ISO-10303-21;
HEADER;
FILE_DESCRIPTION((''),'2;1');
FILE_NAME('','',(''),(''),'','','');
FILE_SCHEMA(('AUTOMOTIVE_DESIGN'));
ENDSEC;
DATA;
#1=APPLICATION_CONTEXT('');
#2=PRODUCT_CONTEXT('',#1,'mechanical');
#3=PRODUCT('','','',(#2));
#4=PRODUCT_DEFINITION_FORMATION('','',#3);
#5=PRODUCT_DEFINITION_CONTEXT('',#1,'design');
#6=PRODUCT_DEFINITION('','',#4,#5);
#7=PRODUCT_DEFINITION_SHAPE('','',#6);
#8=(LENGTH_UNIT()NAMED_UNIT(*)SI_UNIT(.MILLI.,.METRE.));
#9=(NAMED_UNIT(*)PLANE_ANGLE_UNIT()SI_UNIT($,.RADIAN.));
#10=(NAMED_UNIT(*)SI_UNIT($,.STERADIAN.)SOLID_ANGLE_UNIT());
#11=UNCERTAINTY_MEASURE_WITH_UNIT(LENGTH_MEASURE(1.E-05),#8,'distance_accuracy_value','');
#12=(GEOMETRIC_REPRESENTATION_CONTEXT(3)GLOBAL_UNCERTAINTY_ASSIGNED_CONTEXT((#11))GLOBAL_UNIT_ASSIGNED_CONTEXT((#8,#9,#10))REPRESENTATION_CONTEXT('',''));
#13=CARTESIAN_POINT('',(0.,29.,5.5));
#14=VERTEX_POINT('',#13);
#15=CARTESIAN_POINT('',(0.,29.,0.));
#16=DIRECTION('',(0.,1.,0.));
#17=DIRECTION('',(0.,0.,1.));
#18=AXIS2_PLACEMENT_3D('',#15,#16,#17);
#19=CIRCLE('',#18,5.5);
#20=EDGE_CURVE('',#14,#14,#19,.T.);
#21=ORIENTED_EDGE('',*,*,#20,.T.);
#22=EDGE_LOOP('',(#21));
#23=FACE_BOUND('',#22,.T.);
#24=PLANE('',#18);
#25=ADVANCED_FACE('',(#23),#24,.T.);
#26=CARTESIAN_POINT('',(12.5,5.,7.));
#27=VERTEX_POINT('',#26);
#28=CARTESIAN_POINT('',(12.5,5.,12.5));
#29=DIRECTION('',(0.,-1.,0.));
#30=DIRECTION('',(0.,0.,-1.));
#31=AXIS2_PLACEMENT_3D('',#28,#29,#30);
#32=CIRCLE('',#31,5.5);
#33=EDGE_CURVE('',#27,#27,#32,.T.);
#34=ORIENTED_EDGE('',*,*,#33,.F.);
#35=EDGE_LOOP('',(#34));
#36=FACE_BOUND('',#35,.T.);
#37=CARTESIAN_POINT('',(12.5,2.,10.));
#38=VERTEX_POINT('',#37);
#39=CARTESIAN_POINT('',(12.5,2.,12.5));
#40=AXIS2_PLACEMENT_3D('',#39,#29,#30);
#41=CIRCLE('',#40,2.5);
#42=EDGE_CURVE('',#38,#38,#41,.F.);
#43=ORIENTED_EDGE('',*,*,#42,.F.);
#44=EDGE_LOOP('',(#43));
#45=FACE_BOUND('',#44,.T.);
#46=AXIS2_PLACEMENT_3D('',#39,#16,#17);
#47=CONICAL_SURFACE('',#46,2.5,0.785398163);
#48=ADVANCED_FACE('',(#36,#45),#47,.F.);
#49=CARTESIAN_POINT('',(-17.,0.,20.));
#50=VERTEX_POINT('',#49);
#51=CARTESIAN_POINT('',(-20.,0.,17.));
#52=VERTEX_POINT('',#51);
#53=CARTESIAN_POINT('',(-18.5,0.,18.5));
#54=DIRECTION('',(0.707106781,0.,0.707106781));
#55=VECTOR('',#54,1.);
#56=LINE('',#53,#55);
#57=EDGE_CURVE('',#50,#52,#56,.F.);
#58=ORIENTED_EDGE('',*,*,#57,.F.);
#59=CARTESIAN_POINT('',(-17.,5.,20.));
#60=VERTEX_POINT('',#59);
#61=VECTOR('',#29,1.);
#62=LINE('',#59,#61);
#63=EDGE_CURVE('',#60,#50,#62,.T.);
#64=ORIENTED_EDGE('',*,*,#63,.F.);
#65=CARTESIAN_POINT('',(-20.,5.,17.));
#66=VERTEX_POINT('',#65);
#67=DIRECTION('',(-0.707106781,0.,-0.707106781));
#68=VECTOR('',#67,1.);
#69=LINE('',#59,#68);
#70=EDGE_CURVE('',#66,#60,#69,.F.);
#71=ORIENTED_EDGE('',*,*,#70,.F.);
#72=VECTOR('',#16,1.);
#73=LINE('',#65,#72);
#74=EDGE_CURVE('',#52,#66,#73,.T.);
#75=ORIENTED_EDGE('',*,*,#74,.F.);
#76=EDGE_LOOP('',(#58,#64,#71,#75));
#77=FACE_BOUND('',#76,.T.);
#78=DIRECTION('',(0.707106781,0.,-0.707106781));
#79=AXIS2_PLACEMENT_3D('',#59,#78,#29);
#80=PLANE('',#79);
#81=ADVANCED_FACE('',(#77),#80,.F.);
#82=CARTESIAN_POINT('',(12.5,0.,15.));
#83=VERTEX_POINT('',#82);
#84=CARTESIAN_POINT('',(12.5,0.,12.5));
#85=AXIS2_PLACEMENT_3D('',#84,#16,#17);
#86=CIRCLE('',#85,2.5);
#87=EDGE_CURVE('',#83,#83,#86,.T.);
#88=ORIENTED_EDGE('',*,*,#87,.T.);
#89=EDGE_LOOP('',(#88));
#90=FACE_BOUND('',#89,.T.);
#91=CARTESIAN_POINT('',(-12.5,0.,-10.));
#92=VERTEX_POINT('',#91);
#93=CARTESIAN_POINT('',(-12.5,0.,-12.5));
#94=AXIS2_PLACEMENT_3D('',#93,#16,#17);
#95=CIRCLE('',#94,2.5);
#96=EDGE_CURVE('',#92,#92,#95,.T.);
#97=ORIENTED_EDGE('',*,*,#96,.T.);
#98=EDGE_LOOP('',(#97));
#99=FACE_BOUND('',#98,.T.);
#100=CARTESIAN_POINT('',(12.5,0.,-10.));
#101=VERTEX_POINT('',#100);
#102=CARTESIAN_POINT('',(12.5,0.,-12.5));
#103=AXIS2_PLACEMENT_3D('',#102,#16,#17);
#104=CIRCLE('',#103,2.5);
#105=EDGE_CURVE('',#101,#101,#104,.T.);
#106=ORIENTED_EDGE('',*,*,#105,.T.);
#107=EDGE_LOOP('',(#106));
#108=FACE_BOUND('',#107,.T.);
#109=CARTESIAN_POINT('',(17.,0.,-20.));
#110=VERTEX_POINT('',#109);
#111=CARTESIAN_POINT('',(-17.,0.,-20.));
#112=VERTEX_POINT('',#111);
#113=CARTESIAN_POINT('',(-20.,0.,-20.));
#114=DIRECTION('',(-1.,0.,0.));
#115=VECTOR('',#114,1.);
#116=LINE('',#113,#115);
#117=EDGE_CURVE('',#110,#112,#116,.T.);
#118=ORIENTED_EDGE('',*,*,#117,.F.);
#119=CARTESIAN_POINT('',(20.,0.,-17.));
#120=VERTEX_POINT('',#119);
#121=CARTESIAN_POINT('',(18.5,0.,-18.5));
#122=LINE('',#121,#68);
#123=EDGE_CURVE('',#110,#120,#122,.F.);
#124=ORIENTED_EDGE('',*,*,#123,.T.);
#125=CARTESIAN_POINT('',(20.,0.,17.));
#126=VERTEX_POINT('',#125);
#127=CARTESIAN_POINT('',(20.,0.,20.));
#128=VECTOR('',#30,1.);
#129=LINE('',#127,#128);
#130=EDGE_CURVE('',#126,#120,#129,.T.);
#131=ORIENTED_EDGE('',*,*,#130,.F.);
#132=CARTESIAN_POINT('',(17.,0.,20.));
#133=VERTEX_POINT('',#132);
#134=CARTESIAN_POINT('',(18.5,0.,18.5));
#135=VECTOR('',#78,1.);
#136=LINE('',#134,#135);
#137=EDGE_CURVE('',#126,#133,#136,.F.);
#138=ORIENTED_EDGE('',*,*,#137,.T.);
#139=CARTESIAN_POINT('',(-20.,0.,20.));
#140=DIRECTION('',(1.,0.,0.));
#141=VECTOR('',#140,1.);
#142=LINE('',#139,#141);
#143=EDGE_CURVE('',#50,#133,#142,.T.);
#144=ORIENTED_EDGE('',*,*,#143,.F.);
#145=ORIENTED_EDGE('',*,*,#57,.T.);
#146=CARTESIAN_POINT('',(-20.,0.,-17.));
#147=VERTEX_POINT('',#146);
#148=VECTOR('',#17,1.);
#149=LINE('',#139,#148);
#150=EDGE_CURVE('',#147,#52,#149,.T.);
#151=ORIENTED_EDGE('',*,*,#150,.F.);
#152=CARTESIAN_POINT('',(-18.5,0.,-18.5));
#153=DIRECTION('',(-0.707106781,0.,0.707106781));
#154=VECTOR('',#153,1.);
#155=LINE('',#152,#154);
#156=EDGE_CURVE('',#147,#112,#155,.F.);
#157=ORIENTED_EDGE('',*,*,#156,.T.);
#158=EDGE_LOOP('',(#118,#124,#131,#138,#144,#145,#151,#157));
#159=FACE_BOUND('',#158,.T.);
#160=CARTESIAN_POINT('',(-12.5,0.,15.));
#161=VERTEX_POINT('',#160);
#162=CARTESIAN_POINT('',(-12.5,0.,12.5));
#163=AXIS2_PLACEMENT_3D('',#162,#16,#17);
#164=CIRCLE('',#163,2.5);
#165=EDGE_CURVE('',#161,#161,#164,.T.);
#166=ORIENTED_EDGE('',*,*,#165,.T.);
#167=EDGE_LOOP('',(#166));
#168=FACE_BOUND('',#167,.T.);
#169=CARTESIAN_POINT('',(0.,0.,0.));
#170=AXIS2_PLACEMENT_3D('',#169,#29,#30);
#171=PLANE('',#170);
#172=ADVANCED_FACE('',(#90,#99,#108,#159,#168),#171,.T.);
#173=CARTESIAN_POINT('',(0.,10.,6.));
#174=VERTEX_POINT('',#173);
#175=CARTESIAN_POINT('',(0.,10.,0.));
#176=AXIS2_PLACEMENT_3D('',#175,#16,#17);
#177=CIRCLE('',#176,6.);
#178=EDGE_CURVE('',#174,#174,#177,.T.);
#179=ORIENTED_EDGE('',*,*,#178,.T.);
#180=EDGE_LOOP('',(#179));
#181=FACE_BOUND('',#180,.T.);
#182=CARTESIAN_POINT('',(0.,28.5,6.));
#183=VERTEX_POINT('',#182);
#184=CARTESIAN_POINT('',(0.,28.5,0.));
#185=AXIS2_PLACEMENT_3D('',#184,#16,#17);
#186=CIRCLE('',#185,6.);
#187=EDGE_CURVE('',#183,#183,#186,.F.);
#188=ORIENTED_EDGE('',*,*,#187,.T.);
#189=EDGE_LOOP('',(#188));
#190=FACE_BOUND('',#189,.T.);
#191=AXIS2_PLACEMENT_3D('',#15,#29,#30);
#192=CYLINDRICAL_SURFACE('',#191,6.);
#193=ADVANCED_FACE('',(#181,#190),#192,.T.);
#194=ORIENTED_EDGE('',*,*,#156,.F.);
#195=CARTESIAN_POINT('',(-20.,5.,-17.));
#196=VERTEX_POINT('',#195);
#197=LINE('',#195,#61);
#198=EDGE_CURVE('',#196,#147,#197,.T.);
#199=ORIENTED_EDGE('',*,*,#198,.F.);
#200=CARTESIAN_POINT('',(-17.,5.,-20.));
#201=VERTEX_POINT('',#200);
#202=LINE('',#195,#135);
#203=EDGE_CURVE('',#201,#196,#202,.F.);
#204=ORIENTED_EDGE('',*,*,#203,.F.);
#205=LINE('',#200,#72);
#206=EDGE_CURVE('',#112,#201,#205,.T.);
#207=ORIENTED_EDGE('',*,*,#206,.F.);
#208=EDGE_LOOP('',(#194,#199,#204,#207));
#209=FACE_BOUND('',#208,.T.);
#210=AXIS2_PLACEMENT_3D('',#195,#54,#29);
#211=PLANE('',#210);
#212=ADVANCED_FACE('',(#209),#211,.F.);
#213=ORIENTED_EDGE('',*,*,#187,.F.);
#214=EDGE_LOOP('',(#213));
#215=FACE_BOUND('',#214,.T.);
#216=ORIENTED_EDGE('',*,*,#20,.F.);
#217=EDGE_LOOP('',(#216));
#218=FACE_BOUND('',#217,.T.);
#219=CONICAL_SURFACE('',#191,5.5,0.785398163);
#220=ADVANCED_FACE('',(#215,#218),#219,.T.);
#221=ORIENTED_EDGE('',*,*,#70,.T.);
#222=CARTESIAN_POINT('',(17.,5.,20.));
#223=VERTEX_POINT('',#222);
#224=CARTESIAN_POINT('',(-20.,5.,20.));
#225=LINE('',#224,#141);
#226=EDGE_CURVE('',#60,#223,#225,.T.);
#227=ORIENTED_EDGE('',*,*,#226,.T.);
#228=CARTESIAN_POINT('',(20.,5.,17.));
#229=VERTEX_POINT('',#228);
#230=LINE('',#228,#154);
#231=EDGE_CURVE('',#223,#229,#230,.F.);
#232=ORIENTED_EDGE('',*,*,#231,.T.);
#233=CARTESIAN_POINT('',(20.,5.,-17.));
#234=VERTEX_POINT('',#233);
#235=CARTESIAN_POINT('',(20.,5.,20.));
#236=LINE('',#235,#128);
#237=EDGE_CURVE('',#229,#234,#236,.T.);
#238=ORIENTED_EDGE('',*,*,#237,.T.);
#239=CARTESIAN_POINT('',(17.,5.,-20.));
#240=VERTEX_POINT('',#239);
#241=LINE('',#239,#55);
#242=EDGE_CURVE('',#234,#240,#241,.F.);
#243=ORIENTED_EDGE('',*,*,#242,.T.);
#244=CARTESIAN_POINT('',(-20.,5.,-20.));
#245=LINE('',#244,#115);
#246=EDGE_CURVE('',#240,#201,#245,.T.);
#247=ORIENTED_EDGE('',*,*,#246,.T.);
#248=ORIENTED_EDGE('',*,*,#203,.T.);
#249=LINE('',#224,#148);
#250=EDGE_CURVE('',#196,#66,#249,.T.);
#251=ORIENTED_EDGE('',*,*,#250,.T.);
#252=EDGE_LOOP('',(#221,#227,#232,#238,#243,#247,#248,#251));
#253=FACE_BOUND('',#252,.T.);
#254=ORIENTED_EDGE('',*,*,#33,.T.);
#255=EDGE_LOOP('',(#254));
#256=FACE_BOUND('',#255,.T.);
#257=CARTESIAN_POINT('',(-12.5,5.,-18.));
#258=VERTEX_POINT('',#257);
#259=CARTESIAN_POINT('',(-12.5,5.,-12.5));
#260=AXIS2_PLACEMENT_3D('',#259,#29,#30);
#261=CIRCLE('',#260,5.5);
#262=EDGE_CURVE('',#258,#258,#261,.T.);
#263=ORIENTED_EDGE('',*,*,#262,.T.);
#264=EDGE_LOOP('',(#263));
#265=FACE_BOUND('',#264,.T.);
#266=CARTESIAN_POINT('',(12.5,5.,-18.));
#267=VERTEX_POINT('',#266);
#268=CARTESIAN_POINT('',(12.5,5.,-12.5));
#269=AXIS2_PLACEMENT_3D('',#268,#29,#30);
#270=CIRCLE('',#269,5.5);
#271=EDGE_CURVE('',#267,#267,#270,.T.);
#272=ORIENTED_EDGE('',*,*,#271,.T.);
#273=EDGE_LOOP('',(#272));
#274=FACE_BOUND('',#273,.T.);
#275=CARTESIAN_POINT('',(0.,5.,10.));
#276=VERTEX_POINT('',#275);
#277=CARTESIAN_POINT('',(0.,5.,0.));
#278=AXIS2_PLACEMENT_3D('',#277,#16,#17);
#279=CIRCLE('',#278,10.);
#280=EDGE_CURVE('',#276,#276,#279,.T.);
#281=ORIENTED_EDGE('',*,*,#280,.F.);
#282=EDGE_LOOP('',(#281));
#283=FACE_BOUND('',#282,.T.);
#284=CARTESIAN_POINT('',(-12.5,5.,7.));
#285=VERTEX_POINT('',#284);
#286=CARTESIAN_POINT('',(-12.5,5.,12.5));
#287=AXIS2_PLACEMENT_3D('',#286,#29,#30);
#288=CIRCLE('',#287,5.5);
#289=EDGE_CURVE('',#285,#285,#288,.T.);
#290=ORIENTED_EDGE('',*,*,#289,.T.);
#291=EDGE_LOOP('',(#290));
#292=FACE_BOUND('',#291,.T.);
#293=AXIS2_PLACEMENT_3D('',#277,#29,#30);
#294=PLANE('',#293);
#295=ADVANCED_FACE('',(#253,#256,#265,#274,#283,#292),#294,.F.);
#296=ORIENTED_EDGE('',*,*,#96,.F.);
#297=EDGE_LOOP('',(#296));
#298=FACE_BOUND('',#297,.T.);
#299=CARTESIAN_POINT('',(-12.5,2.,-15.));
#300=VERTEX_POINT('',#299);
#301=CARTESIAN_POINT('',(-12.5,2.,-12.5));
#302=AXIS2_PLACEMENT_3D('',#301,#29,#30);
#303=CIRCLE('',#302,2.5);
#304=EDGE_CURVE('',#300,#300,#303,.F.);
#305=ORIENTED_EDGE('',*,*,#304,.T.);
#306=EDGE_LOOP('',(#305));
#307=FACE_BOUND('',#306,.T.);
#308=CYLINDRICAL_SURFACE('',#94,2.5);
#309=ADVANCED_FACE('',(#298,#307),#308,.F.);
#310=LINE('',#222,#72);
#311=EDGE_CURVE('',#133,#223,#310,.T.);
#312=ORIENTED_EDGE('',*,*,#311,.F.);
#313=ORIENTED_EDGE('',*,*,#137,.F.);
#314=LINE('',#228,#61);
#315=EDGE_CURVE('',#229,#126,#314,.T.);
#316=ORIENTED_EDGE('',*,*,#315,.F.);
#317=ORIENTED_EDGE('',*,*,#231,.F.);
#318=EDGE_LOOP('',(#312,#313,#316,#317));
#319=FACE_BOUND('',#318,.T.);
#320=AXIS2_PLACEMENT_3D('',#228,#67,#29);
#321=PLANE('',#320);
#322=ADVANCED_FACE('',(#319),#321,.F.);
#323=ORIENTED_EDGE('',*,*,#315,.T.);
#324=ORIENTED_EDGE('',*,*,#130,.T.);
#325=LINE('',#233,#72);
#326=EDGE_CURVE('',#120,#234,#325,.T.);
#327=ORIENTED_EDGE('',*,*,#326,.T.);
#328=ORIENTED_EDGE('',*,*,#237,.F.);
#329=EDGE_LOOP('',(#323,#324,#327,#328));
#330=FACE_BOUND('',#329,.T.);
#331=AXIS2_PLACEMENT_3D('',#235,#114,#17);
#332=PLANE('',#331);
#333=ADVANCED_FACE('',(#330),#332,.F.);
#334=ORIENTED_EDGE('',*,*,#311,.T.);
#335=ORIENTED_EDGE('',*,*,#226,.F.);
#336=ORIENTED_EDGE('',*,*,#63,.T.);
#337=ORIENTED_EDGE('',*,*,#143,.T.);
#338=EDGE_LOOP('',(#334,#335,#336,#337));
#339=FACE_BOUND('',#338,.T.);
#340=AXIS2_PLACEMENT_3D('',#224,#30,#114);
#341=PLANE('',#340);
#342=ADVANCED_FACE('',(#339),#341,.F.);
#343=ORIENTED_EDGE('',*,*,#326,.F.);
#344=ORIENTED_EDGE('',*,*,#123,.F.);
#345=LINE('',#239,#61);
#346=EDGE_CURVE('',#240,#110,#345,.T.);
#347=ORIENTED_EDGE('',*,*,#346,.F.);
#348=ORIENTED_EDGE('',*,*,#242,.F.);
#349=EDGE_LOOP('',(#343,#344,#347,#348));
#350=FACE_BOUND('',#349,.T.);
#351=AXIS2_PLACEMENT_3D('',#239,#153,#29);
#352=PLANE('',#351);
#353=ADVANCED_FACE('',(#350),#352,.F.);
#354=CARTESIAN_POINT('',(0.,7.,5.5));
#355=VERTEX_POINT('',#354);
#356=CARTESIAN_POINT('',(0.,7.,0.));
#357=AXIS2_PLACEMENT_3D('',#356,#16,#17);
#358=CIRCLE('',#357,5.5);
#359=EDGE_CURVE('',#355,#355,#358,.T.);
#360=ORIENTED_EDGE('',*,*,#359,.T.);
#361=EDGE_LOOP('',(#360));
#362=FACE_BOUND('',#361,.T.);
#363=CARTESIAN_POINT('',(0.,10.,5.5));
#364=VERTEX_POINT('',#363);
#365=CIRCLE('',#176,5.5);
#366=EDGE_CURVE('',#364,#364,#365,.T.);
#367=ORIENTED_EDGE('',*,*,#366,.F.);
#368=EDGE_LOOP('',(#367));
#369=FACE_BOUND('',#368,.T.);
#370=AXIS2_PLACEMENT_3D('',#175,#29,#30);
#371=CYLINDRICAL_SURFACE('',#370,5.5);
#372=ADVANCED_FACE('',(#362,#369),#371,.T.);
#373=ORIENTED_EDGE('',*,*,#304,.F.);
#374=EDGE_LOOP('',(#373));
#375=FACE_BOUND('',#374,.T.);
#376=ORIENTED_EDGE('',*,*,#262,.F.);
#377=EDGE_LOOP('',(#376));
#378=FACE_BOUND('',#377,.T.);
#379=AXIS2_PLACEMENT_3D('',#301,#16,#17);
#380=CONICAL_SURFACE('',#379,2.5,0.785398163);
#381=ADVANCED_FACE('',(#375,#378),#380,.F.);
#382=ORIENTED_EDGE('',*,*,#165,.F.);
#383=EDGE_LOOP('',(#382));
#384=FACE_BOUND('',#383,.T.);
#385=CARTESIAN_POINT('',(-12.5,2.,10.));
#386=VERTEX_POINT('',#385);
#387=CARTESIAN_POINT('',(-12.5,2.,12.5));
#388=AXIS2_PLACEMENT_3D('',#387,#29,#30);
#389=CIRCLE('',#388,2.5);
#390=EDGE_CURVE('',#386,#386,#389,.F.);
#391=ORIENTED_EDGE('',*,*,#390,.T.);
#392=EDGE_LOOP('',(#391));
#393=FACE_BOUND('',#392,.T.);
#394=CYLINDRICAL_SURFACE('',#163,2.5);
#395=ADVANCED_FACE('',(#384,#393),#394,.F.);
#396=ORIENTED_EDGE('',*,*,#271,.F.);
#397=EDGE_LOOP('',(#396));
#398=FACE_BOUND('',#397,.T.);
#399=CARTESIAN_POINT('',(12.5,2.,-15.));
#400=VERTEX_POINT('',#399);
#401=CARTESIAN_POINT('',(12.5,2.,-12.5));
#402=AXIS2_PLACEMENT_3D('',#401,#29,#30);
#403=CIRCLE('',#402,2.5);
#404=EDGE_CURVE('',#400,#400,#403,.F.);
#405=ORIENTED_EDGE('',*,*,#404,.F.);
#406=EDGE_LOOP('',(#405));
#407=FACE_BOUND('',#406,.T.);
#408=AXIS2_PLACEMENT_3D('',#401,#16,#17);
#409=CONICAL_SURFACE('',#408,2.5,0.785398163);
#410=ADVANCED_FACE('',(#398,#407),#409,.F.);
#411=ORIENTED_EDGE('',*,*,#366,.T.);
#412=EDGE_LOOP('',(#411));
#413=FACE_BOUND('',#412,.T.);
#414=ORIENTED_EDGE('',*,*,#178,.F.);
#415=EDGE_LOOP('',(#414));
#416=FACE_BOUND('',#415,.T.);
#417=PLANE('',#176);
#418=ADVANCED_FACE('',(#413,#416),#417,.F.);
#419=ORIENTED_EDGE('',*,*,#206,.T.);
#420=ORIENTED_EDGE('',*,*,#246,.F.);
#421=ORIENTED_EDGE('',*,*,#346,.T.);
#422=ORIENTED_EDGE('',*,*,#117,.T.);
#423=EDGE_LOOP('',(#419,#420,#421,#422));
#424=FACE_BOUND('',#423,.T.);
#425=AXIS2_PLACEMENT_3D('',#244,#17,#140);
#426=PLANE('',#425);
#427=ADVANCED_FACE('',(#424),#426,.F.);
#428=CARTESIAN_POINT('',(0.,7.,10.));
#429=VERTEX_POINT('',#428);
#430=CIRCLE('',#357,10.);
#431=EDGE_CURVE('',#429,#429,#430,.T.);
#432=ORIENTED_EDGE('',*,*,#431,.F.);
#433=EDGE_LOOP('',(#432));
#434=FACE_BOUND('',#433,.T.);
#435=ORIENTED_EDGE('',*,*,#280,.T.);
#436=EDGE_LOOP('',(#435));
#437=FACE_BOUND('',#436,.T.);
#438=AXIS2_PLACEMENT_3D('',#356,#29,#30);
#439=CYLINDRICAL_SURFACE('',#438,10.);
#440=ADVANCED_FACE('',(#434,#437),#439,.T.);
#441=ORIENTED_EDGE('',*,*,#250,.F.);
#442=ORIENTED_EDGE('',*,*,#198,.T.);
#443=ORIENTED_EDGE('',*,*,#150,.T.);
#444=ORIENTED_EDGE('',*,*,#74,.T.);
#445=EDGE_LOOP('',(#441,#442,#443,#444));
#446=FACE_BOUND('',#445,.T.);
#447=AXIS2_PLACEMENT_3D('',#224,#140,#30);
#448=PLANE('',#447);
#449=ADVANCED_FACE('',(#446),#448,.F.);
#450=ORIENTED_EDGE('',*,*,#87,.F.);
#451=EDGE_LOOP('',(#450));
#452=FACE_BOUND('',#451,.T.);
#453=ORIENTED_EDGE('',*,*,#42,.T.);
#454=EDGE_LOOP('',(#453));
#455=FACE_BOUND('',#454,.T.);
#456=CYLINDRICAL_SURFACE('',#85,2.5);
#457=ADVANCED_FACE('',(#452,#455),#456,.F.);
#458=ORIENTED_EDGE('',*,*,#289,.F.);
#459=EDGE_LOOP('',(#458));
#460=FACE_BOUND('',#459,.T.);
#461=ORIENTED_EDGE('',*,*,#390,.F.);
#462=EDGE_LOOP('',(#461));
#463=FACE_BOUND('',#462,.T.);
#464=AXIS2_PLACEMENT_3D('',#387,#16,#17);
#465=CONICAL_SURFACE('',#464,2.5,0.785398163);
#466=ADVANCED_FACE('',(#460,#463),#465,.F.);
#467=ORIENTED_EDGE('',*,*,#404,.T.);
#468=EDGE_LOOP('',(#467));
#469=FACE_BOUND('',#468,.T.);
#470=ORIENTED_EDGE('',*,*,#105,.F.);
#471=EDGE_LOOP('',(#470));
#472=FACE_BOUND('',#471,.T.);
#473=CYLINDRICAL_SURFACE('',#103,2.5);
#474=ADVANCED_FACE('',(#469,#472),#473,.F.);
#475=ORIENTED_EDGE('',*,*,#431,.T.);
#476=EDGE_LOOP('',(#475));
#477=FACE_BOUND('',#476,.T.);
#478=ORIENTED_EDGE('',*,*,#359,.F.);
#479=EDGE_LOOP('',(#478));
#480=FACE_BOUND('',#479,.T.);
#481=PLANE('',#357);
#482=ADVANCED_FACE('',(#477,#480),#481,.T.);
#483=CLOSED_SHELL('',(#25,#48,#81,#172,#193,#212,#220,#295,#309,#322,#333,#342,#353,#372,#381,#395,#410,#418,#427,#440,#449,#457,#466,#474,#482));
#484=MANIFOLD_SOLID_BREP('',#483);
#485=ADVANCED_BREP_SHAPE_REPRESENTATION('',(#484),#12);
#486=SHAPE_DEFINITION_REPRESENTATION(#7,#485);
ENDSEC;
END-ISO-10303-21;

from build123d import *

# Parameters (mm, degrees)
SKETCH_1_W          = 40
SKETCH_1_H          = 40
EXTRUDE_1_DEPTH     = 5
CHAMFER_1_SIZE      = 3
SKETCH_2_R          = 10
EXTRUDE_2_DEPTH     = 2
SKETCH_3_R          = 6
EXTRUDE_3_DEPTH     = 22
SKETCH_4_R          = 6
SKETCH_4_R_2        = 5.5
CUT_EXTRUDE_1_DEPTH = 3
SKETCH_5_R          = 2.5
CUT_EXTRUDE_2_DEPTH = 38.094473982
CHAMFER_2_SIZE      = 3
CHAMFER_3_SIZE      = 0.5


with BuildPart() as part:
    # Эскиз1 → Бобышка-Вытянуть1 (new body)
    with BuildSketch(Plane(origin=(0, 0, 0), x_dir=(1, 0, 0), z_dir=(0, 1, 0))):
        Rectangle(SKETCH_1_W, SKETCH_1_H)
    extrude(amount=EXTRUDE_1_DEPTH)

    # Фаска1
    chamfer_1_edges = [part.edges().sort_by_distance(p)[0] for p in [
        (20, 2.5, 20),
        (-20, 2.5, 20),
        (-20, 2.5, -20),
        (20, 2.5, -20),
    ]]
    chamfer(chamfer_1_edges, length=CHAMFER_1_SIZE)

    # Эскиз2 → Бобышка-Вытянуть2 (add)
    with BuildSketch(Plane(origin=(0, 5, 0), x_dir=(1, 0, 0), z_dir=(0, 1, 0))):
        with Locations(Location((0, 0, 0), (0, 0, 270))):
            Circle(SKETCH_2_R)
    extrude(amount=EXTRUDE_2_DEPTH)

    # Эскиз3 → Бобышка-Вытянуть3 (add)
    with BuildSketch(Plane(origin=(0, 7, 0), x_dir=(1, 0, 0), z_dir=(0, 1, 0))):
        with Locations(Location((0, 0, 0), (0, 0, 270))):
            Circle(SKETCH_3_R)
    extrude(amount=EXTRUDE_3_DEPTH)

    # Эскиз4 → Вырез-Вытянуть1 (cut)
    with BuildSketch(Plane(origin=(0, 7, 0), x_dir=(1, 0, 0), z_dir=(0, 1, 0))):
        with Locations(Location((0, 0, 0), (0, 0, 270))):
            Circle(SKETCH_4_R)
        with Locations(Location((0, 0, 0), (0, 0, 270))):
            Circle(SKETCH_4_R_2, mode=Mode.SUBTRACT)
    extrude(amount=CUT_EXTRUDE_1_DEPTH, mode=Mode.SUBTRACT)

    # Эскиз5 → Вырез-Вытянуть2 (cut, through all)
    with BuildSketch(Plane(origin=(0, 5, 0), x_dir=(1, 0, 0), z_dir=(0, 1, 0))):
        with Locations(Location((-12.5, 12.5, 0), (0, 0, 270))):
            Circle(SKETCH_5_R)
        with Locations(Location((12.5, 12.5, 0), (0, 0, 270))):
            Circle(SKETCH_5_R)
        with Locations(Location((12.5, -12.5, 0), (0, 0, 270))):
            Circle(SKETCH_5_R)
        with Locations(Location((-12.5, -12.5, 0), (0, 0, 270))):
            Circle(SKETCH_5_R)
    extrude(amount=-CUT_EXTRUDE_2_DEPTH, mode=Mode.SUBTRACT)

    # Фаска2
    chamfer_2_edges = [part.edges().sort_by_distance(p)[0] for p in [
        (-12.5, 5, 10),
        (12.5, 5, 10),
        (12.5, 5, -15),
        (-12.5, 5, -15),
    ]]
    chamfer(chamfer_2_edges, length=CHAMFER_2_SIZE)

    # Фаска3
    chamfer_3_edges = [part.edges().sort_by_distance(p)[0] for p in [
        (0, 29, -6),
    ]]
    chamfer(chamfer_3_edges, length=CHAMFER_3_SIZE)


solid = part.part
